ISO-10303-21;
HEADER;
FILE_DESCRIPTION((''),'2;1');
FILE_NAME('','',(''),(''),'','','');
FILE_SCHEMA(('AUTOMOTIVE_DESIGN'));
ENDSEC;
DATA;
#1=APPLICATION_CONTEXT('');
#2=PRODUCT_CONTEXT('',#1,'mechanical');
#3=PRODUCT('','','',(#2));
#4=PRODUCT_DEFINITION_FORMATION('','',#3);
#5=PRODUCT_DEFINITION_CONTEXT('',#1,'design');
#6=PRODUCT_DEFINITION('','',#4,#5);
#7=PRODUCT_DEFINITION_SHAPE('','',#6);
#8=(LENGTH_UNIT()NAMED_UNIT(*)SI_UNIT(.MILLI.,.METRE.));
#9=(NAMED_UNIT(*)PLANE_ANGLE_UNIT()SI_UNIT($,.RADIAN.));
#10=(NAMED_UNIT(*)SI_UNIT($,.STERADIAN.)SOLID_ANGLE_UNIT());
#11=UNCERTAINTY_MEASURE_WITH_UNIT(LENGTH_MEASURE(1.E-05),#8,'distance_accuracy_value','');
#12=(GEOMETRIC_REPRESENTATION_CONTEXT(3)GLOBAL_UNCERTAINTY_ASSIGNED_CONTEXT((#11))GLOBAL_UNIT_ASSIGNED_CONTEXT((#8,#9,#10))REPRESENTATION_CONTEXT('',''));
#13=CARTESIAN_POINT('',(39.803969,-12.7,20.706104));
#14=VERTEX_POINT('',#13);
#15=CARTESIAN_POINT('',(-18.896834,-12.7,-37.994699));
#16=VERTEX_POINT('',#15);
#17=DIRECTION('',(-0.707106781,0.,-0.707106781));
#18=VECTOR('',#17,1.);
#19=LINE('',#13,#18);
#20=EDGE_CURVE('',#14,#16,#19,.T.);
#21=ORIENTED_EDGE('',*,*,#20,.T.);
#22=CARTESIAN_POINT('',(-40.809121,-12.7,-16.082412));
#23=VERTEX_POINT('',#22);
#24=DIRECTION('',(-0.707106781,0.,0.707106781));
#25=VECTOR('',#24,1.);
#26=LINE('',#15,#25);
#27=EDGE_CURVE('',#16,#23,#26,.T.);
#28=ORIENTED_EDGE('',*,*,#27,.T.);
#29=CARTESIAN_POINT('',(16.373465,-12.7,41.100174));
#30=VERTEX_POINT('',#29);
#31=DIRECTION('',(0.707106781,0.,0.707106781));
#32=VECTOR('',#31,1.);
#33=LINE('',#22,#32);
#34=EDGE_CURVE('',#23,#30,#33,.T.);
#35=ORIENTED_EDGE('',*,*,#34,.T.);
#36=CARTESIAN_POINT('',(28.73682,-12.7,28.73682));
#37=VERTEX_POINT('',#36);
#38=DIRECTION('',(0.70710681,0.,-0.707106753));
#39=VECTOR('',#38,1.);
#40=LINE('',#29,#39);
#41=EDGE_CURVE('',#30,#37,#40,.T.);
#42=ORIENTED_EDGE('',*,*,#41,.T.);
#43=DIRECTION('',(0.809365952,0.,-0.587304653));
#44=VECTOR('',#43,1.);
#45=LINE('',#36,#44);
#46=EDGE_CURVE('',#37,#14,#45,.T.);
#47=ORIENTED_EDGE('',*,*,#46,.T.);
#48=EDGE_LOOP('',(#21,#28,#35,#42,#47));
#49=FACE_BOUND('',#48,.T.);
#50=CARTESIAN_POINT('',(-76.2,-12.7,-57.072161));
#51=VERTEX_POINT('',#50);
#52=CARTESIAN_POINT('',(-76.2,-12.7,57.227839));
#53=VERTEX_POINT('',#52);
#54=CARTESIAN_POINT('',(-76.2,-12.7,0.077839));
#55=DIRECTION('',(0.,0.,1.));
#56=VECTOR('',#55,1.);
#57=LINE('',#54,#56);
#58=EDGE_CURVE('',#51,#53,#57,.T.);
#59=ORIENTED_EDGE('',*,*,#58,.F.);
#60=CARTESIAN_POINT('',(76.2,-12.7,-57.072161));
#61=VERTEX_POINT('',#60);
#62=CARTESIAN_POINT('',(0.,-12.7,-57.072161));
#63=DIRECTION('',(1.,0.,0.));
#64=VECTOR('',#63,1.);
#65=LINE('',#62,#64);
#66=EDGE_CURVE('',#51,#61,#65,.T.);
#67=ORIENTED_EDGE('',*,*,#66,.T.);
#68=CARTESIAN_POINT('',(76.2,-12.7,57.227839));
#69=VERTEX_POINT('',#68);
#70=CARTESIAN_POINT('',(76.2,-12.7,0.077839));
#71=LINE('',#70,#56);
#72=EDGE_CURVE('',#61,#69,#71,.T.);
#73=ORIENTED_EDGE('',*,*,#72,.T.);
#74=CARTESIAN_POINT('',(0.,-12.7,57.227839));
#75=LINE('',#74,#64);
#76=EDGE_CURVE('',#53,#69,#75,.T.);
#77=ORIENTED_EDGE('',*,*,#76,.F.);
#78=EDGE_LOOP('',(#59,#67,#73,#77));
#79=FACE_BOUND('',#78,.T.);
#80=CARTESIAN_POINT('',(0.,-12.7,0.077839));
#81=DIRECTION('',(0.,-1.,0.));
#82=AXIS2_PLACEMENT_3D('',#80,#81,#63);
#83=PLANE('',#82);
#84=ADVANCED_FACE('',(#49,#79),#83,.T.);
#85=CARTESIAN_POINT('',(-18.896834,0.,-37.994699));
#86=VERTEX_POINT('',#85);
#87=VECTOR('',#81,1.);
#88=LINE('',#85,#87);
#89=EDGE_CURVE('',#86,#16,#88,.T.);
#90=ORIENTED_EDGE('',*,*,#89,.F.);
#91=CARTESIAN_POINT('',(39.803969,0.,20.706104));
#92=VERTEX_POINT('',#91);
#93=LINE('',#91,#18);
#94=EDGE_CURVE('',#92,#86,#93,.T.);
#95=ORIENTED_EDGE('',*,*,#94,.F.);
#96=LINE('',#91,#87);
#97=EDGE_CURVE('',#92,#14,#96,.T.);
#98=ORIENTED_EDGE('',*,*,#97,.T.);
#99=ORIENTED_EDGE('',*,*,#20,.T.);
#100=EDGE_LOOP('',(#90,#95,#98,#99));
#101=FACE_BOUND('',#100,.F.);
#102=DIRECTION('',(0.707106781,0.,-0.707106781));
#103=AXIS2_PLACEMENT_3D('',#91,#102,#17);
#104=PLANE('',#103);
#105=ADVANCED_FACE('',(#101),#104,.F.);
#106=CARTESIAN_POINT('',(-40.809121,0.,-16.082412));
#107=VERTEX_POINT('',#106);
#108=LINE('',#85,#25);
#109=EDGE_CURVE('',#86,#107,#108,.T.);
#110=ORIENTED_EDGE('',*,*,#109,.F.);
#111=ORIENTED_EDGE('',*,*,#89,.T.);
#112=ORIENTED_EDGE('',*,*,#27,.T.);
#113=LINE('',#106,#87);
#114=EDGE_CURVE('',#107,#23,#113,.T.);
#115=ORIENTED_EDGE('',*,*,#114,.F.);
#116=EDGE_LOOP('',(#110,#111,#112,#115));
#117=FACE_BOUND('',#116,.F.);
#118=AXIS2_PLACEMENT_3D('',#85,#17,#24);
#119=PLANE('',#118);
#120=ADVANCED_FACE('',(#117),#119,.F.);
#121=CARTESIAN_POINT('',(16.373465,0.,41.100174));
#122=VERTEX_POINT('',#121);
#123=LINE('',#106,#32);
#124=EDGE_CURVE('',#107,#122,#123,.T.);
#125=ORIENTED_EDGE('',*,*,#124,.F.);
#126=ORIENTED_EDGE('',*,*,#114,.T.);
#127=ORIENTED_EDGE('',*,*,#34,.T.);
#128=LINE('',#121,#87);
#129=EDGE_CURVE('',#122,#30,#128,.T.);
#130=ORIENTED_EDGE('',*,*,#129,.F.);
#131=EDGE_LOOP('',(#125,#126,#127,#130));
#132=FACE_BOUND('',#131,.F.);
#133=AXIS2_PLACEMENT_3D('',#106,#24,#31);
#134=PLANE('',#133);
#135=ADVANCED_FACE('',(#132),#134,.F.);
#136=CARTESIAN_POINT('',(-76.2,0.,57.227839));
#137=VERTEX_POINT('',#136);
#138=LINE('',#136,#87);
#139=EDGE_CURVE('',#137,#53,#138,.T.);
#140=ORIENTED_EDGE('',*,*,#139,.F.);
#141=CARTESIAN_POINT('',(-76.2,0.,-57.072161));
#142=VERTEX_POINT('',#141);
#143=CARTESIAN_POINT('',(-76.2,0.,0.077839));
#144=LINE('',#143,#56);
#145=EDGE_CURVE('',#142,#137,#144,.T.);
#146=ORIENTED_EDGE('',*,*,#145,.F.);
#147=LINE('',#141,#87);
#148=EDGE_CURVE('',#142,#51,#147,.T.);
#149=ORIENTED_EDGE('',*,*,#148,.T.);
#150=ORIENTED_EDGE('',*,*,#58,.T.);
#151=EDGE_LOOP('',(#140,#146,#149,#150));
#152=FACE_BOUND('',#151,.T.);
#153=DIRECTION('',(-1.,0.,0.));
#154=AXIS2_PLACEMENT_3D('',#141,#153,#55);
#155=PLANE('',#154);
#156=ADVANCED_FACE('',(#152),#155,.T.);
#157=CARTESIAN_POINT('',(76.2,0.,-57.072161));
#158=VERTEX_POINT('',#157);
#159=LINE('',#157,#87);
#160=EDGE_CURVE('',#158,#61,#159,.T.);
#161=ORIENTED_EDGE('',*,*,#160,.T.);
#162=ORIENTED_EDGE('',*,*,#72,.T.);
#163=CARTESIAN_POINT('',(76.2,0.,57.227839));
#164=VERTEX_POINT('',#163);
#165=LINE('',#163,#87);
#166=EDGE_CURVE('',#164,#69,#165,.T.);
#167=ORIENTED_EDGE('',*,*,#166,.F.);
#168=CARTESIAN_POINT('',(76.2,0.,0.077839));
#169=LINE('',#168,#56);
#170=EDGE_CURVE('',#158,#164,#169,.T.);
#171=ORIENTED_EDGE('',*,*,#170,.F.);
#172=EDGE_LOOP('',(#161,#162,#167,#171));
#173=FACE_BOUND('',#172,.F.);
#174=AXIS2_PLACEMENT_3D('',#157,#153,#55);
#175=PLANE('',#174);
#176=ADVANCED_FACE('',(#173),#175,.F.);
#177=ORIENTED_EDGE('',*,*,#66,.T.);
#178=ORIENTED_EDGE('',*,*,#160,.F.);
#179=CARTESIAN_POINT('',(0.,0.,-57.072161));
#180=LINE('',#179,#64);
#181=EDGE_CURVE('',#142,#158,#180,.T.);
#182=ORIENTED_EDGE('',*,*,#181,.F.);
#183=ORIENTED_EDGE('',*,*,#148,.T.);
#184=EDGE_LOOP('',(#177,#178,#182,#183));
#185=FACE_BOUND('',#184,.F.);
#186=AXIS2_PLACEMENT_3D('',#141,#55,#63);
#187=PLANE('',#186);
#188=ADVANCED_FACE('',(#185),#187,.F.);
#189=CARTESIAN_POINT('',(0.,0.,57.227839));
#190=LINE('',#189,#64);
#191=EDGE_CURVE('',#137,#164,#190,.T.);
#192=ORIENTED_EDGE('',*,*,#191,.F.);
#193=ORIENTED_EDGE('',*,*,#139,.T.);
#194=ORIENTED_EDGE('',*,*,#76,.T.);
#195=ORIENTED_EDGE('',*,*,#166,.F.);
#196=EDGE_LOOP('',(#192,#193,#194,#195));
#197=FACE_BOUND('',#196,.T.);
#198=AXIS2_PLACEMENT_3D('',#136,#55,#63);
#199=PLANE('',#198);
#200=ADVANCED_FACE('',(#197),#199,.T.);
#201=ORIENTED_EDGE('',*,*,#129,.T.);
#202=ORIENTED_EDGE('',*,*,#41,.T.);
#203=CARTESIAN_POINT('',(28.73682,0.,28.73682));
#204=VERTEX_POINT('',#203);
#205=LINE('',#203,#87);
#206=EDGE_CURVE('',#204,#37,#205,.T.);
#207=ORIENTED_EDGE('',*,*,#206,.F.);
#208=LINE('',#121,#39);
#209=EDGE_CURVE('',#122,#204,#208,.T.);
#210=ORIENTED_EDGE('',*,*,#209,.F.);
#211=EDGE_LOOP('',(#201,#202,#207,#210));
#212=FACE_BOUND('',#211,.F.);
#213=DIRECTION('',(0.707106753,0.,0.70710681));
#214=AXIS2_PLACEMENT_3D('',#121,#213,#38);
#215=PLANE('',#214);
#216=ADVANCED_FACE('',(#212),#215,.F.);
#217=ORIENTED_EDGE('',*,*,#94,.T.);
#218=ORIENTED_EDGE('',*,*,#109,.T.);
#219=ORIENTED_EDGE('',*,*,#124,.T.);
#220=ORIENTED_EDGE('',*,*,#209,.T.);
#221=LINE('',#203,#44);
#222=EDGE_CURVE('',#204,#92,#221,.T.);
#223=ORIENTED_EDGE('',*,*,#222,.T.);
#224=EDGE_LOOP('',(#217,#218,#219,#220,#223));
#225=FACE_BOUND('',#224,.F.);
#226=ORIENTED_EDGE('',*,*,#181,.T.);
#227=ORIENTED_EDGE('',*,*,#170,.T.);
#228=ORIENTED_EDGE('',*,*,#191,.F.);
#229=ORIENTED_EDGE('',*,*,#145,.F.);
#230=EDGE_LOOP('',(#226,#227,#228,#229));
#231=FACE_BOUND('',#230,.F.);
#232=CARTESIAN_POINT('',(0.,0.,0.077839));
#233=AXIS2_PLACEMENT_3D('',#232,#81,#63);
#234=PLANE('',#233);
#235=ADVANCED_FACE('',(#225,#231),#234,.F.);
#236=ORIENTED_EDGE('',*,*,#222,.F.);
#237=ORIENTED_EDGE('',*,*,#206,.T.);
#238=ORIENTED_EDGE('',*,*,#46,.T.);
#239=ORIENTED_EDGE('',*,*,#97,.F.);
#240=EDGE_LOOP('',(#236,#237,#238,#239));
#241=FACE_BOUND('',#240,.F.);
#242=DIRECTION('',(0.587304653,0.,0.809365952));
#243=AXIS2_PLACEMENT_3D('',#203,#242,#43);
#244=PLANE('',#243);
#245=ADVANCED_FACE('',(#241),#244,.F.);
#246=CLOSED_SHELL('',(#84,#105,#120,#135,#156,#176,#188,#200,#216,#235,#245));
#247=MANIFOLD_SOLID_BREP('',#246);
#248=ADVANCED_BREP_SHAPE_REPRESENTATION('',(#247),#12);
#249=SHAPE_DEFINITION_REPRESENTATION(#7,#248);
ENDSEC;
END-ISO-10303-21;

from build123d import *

# Parameters (mm, degrees)
F0_W     = 152.4
F0_H     = 114.3
F1_DEPTH = 12.7


with BuildPart() as f1:
    # F0 (on Front) → F1 (new body)
    with BuildSketch(Plane.XZ):
        with Locations((0, 0.077839)):
            Rectangle(F0_W, F0_H)
        Polygon((16.373465, 41.100174), (28.73682, 28.73682), (39.803969, 20.706104), (-18.896834, -37.994699), (-40.809121, -16.082412), align=None, mode=Mode.SUBTRACT)
    extrude(amount=F1_DEPTH)


solid = f1.part
